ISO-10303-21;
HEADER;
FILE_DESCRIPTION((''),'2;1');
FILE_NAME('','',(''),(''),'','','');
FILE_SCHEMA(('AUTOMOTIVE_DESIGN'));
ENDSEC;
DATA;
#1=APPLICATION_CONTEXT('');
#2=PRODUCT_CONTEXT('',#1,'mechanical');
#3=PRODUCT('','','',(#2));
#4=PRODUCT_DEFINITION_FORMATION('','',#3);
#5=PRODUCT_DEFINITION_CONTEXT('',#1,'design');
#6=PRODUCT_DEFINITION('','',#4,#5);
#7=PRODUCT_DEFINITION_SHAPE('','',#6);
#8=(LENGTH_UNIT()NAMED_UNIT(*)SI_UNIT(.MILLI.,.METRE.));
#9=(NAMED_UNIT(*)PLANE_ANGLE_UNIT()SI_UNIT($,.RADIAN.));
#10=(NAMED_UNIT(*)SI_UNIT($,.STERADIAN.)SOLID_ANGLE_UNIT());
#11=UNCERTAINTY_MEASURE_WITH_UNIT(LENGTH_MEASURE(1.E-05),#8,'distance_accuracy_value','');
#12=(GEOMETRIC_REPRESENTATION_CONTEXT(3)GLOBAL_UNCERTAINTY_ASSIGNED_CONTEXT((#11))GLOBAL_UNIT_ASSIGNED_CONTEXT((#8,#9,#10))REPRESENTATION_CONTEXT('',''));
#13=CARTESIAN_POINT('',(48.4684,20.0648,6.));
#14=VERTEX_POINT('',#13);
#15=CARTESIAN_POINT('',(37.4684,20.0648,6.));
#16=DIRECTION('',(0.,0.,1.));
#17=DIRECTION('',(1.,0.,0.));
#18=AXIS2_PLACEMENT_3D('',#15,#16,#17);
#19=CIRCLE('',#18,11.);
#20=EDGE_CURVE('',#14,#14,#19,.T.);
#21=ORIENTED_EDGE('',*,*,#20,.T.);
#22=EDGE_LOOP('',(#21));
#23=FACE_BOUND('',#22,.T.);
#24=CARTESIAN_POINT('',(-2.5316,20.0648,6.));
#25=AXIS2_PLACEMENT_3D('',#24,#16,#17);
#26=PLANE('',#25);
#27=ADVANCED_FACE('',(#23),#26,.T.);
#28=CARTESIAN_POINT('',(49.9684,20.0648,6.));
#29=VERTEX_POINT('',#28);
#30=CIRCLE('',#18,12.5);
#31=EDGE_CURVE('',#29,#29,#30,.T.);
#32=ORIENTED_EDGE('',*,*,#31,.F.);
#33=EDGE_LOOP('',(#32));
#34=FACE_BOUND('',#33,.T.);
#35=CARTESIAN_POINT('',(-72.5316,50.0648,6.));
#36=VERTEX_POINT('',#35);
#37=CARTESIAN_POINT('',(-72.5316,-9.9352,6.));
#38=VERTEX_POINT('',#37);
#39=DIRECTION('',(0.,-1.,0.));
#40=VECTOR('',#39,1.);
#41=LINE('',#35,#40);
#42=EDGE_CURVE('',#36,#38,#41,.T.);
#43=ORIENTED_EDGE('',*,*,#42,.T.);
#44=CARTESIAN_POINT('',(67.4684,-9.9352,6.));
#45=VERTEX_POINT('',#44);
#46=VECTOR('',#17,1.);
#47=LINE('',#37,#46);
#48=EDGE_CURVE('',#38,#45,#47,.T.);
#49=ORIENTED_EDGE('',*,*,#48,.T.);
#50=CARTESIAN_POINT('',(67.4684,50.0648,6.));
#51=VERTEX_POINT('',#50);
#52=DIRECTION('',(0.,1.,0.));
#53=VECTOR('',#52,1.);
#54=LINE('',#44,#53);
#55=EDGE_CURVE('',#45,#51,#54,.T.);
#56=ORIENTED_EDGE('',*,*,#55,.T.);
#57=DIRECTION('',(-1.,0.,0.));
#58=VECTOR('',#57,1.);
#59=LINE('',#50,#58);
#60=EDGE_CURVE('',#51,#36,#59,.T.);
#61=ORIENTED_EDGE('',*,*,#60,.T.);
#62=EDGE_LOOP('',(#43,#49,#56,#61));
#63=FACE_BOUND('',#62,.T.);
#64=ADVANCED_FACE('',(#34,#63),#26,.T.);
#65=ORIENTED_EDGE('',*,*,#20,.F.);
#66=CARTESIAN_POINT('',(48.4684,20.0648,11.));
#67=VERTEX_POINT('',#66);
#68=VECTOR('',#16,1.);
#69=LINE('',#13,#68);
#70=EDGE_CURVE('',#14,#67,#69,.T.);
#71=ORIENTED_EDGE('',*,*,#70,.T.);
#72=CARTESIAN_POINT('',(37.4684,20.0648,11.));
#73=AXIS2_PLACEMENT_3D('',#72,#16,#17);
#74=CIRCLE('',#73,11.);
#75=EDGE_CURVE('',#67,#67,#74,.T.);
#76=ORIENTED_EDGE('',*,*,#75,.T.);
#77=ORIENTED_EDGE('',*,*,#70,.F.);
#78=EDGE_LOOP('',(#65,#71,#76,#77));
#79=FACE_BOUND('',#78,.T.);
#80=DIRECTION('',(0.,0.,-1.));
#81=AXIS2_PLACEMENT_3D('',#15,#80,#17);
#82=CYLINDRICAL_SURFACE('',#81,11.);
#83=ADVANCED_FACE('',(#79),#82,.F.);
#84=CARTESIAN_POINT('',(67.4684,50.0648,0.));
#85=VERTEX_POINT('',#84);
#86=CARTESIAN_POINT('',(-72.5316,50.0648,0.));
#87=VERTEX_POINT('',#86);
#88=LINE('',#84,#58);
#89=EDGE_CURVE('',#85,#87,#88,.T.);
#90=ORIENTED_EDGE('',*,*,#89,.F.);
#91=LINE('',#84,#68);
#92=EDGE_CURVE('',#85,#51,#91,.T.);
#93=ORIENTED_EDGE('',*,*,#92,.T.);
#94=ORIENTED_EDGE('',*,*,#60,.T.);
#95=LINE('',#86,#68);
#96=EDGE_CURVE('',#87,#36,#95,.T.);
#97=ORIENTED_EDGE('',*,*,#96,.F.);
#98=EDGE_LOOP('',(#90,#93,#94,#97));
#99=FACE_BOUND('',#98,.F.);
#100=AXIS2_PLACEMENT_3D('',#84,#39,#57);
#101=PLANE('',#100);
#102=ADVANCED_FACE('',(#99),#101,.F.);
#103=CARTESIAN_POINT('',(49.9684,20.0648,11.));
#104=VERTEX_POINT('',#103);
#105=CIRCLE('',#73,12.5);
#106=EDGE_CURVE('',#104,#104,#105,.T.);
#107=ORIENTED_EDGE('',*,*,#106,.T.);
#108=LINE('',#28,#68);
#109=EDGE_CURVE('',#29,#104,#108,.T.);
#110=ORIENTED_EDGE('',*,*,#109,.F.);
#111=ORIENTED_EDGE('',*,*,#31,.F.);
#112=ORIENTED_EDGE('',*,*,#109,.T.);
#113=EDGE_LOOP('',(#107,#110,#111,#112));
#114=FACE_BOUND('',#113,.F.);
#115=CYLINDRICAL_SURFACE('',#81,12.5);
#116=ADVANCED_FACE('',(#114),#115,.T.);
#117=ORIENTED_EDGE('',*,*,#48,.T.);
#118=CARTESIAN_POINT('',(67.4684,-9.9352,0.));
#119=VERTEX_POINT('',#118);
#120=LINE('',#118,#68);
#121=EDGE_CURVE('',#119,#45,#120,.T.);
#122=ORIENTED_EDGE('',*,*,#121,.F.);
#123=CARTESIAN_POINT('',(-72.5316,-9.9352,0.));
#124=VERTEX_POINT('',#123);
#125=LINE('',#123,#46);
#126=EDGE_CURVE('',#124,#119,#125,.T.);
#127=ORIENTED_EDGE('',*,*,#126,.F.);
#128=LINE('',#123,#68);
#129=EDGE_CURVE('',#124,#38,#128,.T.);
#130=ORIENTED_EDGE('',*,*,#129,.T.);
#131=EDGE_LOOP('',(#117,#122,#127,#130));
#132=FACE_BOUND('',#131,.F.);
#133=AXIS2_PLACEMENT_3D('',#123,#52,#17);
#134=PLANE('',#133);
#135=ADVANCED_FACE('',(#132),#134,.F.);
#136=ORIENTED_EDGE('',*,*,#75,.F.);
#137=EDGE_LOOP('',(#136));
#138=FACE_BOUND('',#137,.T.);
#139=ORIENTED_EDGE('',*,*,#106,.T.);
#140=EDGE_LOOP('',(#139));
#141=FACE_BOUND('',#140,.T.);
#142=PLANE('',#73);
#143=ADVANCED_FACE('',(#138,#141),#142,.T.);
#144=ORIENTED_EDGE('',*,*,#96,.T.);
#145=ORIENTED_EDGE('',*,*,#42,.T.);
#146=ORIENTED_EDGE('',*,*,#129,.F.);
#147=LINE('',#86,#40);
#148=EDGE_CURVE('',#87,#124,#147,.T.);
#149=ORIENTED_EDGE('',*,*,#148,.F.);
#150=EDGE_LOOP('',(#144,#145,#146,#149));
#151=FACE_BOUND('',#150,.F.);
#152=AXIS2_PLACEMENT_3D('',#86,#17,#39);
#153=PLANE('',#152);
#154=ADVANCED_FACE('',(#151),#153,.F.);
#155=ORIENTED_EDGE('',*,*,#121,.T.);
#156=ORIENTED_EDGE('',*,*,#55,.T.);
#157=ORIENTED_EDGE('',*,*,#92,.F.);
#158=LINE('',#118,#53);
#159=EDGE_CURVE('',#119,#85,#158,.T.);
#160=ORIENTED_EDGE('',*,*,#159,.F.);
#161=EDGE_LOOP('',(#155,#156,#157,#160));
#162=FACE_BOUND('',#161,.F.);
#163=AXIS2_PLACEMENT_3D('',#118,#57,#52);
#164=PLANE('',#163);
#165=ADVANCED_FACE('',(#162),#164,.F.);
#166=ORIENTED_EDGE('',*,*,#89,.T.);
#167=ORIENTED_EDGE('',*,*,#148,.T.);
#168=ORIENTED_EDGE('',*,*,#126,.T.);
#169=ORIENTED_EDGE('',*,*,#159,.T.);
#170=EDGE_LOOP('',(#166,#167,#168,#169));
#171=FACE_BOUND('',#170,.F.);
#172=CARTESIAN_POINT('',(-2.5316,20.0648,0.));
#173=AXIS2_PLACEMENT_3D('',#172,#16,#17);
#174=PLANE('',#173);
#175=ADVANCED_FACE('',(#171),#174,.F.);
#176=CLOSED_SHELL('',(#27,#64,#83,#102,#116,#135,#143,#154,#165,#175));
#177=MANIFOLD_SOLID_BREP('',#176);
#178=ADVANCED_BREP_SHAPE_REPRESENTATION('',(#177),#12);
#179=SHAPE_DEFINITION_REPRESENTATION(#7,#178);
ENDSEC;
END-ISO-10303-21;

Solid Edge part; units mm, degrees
sketch "Sketch1" plane through (0, 0, 0) normal (0, 0, 1) x (1, 0, 0)
  line L0 (-72.5316, -9.9352) -> (67.4684, -9.9352)
  line L1 (67.4684, -9.9352) -> (67.4684, 50.0648)
  line L2 (67.4684, 50.0648) -> (-72.5316, 50.0648)
  line L3 (-72.5316, 50.0648) -> (-72.5316, -9.9352)
  dimension "D1" = 140
  dimension "D2" = 60
extrude "Protrusion1" add sketch "Sketch1" along normal blind 6
sketch "Sketch2" plane through (-52.5316, 30.0648, 6) normal (0, 0, 1) x (1, 0, 0)
  circle A0 centre (90, -10) radius 12.5
  circle A1 centre (90, -10) radius 11
  dimension "D1" = 22
  dimension "D2" = 25
  dimension "D3" = 30
extrude "ExtrudedProtrusion_2" add sketch "Sketch2" along normal blind 5
properties material "Aluminum, 6061-T6"
